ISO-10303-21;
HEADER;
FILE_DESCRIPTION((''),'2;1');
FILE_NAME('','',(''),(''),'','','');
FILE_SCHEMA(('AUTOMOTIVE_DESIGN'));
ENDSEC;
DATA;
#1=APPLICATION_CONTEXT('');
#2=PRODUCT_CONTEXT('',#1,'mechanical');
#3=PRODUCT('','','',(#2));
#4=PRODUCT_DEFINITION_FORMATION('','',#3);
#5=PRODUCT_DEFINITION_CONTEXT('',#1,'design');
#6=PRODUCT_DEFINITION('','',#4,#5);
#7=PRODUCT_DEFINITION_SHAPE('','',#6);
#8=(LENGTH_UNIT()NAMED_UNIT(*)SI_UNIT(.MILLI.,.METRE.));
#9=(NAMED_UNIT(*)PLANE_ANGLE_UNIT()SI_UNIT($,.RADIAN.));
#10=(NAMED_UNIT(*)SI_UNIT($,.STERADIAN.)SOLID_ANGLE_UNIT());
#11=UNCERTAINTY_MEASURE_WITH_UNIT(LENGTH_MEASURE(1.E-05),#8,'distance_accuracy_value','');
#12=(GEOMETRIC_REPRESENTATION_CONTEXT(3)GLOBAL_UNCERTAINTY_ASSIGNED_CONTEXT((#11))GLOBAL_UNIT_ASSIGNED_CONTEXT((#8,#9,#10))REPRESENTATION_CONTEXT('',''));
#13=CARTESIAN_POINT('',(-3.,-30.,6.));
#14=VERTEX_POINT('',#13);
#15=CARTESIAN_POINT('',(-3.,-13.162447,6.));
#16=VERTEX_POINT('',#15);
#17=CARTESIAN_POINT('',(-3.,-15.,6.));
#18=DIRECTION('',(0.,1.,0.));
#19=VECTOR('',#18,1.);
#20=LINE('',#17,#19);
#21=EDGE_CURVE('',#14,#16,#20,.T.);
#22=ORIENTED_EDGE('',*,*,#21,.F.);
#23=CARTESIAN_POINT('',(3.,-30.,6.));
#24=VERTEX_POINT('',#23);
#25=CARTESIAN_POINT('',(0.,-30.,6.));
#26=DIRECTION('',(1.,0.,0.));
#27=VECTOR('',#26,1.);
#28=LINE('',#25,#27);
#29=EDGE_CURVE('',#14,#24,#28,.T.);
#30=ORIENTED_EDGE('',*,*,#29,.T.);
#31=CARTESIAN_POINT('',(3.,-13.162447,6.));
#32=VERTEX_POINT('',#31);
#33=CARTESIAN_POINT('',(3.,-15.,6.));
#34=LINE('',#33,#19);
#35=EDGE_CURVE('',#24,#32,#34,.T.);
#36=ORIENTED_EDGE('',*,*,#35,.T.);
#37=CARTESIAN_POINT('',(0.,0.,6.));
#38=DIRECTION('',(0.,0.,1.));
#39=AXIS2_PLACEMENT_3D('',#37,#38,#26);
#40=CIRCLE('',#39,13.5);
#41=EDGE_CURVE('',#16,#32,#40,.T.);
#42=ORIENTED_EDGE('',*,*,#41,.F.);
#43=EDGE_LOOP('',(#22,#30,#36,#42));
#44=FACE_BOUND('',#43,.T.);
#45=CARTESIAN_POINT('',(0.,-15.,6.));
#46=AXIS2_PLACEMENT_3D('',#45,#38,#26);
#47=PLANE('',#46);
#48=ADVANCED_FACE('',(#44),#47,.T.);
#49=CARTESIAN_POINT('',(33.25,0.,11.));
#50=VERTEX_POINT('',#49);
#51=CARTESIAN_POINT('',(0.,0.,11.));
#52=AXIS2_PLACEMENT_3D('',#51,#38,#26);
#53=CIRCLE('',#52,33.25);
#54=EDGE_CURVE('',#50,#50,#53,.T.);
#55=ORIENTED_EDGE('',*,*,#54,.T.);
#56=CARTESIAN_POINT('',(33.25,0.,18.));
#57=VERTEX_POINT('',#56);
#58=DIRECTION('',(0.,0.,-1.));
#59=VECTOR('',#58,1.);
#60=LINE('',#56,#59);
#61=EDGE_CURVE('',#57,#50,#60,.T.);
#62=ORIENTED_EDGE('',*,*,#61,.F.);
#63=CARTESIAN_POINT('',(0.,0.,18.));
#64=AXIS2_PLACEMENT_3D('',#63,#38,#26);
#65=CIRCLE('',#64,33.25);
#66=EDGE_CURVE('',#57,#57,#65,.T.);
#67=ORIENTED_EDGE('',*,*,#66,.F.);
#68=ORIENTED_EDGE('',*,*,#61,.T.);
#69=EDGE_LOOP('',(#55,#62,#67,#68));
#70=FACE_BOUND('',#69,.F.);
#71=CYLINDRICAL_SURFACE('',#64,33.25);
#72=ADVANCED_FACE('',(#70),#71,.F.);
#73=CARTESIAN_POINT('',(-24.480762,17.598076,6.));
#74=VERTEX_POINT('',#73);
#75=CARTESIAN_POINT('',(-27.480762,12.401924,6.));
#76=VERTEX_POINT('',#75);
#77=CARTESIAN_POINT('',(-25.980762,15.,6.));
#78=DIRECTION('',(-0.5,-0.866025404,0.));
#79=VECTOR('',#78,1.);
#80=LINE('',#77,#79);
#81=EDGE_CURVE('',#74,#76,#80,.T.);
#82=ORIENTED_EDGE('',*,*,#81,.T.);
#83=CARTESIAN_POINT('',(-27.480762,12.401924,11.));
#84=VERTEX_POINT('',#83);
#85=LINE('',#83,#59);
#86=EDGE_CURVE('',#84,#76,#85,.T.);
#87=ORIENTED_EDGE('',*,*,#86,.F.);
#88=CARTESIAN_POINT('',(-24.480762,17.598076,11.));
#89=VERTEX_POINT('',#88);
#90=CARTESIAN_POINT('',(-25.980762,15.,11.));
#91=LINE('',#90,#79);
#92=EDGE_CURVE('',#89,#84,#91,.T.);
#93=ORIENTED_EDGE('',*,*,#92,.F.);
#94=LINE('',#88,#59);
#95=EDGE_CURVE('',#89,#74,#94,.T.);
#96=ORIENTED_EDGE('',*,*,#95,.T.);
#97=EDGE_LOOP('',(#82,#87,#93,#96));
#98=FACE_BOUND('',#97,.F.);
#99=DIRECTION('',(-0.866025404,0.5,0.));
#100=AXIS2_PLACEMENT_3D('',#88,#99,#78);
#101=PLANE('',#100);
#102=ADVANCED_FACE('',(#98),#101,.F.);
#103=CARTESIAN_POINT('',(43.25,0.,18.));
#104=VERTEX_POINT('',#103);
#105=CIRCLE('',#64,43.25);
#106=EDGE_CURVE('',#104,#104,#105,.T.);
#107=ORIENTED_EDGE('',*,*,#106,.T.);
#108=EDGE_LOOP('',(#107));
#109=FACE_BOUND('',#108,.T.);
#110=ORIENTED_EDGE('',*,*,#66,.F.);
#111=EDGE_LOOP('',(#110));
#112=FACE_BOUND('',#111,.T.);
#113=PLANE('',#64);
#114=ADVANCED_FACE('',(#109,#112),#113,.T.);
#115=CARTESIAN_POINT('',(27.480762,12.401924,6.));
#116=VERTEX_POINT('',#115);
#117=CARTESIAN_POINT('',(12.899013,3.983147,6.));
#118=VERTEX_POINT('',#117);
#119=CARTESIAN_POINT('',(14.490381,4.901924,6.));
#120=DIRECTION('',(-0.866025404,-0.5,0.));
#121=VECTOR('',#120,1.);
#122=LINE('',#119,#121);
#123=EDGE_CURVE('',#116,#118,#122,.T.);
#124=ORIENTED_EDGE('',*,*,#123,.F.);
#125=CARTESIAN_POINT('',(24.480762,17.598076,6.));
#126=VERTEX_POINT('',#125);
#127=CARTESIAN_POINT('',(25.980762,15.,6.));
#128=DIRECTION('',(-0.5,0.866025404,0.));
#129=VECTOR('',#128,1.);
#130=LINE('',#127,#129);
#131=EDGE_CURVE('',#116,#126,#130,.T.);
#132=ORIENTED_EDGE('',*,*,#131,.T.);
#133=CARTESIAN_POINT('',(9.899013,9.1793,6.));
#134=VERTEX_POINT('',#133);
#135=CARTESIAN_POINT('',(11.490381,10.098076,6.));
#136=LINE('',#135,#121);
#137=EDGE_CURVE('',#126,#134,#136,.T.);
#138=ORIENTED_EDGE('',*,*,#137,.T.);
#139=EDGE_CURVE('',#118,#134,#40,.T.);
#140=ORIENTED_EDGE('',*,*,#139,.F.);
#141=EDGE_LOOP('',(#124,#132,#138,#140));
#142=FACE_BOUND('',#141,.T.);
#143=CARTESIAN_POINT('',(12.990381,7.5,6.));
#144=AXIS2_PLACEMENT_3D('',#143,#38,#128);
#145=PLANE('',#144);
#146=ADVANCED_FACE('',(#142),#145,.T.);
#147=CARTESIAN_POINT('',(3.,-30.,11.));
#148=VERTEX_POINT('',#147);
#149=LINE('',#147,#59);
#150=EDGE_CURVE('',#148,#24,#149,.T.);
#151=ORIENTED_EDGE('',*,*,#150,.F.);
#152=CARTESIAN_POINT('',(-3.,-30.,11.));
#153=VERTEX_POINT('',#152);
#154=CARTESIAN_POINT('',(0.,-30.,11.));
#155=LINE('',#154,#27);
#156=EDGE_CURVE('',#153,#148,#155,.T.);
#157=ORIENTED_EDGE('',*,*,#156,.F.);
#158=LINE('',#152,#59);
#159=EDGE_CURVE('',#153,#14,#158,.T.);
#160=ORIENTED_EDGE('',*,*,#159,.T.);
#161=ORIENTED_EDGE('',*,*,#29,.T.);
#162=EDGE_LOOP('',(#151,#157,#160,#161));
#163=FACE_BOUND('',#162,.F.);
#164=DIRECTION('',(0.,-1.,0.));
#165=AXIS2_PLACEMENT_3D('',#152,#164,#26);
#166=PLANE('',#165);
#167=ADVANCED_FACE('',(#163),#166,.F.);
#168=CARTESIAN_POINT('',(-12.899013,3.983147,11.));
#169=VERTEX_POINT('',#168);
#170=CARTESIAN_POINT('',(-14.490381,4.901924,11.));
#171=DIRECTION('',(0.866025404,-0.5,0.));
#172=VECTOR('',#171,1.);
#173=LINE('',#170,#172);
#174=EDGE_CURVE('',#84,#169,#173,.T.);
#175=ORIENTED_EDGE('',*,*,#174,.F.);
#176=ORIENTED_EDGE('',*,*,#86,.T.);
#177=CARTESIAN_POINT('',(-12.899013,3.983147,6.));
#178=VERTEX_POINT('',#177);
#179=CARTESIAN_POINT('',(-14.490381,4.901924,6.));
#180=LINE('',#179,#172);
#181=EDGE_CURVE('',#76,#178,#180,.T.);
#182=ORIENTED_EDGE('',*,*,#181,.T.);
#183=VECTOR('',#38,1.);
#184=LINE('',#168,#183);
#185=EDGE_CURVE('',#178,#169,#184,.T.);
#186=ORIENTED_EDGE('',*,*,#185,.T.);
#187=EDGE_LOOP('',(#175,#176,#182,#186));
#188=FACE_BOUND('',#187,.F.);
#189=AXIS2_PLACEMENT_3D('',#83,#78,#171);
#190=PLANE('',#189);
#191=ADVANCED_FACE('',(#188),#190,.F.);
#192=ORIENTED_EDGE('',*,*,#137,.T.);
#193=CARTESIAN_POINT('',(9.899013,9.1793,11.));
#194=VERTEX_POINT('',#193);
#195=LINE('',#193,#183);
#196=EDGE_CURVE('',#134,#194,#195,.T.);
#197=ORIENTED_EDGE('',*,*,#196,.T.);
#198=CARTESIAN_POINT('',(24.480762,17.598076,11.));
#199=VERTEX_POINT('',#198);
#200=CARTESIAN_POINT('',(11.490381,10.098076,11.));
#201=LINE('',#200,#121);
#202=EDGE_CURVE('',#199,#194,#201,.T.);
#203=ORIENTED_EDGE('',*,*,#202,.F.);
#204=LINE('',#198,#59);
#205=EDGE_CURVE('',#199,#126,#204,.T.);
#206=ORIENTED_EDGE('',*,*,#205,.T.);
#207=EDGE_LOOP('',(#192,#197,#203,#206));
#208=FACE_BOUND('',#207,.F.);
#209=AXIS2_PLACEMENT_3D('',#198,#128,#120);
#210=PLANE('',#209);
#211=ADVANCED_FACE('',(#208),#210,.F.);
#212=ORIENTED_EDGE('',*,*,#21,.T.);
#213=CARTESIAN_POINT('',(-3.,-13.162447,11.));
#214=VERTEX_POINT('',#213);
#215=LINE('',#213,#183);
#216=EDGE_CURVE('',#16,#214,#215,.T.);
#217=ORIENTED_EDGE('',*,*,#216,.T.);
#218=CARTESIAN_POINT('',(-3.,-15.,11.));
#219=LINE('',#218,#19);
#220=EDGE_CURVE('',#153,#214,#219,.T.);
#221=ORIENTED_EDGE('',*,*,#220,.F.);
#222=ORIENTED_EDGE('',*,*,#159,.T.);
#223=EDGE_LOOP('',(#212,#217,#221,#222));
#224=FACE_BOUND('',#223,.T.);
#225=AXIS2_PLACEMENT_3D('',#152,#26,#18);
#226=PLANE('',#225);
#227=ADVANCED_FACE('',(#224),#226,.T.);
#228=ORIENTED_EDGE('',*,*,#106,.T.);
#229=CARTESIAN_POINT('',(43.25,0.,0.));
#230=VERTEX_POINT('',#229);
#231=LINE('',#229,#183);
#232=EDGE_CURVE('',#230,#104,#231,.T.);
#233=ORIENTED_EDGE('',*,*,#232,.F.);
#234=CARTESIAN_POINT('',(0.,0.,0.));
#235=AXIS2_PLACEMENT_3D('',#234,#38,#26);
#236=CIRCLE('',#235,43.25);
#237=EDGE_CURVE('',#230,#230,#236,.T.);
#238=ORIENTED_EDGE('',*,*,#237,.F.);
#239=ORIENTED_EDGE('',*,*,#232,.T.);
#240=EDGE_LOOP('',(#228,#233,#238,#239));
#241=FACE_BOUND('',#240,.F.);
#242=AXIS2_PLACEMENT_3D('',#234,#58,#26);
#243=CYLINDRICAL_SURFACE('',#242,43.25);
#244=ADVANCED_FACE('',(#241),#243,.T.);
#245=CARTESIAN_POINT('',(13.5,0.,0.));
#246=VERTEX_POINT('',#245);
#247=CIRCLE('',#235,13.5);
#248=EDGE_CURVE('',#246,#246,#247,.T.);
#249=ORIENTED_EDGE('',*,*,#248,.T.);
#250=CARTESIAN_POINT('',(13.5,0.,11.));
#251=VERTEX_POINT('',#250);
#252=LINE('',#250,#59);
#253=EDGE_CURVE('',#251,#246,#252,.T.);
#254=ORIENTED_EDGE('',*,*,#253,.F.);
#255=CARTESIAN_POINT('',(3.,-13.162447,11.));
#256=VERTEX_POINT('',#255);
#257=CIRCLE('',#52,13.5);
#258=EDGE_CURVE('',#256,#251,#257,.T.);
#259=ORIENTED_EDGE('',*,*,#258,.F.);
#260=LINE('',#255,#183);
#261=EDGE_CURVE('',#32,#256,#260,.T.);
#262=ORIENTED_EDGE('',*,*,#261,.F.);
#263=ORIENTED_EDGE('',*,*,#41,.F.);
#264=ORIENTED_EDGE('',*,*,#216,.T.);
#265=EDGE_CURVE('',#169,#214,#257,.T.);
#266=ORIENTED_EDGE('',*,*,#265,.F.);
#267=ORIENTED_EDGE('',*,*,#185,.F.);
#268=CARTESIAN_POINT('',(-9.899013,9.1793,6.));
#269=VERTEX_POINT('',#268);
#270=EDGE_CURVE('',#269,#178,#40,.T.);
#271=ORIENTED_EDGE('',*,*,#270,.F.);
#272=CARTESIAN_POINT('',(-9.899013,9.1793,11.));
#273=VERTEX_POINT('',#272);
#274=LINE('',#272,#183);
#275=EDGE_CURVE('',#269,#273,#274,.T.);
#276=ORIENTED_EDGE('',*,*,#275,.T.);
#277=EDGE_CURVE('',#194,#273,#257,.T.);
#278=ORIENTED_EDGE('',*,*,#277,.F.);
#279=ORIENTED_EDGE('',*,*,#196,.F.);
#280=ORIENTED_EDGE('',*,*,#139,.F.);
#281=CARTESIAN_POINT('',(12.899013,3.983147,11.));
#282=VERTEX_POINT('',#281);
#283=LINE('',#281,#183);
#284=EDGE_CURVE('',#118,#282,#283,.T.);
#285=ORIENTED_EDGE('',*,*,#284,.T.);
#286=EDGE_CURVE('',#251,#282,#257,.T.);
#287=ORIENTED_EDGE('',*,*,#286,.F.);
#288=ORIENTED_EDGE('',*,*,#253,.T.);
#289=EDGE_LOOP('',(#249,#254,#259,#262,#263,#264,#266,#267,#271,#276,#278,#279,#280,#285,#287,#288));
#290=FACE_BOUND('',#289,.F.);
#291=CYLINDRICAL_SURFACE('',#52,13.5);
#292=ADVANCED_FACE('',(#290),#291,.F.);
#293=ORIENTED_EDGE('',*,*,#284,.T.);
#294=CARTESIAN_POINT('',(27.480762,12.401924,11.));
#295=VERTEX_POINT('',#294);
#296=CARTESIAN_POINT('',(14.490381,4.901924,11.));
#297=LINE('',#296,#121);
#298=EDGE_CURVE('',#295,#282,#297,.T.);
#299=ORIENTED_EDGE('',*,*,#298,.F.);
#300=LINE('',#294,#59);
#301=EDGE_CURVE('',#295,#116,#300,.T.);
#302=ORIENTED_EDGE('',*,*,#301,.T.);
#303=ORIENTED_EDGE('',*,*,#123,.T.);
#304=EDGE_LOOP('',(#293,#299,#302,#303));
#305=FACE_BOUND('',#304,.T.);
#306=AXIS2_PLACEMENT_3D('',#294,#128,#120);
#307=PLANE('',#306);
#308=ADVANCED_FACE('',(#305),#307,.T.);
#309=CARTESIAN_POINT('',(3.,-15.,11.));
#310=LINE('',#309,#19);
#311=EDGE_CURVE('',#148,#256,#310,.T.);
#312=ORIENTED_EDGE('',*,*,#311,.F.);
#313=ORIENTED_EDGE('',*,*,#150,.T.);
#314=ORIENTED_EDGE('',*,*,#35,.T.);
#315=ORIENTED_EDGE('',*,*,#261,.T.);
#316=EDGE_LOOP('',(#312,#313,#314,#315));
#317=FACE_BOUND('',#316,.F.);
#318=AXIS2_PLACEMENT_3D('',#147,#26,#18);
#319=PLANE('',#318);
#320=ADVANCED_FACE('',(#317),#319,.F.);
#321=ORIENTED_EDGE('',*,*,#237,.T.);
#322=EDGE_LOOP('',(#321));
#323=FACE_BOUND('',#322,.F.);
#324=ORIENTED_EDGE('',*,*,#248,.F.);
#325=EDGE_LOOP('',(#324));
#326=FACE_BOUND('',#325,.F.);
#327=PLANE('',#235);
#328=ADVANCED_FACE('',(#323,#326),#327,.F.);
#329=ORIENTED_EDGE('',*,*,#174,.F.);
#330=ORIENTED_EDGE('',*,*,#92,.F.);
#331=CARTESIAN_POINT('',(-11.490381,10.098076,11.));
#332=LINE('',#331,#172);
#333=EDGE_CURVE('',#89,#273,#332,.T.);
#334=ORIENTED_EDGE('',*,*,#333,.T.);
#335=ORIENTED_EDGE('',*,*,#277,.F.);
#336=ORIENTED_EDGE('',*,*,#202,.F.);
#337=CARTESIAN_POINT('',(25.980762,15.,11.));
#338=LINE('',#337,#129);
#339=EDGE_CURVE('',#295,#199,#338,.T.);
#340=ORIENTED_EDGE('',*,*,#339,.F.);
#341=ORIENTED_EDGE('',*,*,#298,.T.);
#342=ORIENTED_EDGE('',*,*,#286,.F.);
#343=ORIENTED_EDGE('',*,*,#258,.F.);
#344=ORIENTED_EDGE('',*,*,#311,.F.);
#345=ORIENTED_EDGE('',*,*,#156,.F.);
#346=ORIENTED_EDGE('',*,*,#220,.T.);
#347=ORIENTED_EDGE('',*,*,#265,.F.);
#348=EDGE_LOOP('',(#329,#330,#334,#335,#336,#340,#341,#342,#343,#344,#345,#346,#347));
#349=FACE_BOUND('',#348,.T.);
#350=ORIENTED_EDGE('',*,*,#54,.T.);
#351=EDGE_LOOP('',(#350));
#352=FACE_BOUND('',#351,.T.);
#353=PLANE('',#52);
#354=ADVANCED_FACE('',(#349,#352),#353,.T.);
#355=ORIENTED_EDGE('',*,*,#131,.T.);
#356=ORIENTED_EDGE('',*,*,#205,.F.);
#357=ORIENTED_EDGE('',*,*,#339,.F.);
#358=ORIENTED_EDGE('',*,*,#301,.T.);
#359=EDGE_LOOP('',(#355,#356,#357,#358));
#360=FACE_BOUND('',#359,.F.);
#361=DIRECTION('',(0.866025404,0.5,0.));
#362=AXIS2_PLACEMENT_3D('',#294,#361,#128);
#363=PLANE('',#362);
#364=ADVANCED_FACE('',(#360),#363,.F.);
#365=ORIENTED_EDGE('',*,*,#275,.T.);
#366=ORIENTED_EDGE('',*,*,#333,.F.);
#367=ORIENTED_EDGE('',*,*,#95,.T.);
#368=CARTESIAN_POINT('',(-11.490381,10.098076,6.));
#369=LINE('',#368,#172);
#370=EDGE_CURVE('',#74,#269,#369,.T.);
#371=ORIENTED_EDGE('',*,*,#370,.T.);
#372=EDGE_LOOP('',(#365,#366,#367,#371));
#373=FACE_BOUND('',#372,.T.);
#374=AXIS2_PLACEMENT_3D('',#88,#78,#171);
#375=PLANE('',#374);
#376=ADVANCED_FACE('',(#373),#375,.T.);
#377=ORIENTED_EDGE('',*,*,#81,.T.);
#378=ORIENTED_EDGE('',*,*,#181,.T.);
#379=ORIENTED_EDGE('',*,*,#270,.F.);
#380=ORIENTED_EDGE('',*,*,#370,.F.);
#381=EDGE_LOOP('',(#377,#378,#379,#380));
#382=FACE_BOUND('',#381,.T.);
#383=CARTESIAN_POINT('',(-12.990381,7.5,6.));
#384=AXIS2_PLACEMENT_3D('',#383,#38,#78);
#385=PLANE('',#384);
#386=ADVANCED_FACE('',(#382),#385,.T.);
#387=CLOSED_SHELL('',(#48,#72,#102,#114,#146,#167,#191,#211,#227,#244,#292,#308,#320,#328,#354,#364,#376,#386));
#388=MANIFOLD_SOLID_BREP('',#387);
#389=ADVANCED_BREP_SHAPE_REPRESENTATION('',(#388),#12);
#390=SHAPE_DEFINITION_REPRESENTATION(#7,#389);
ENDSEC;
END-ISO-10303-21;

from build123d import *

# Parameters (mm, degrees)
SKETCH_R           = 43.25
PAD_DEPTH          = 18
SKETCH001_R        = 33.25
POCKET_DEPTH       = 7
SKETCH002_R        = 13.5
POCKET001_DEPTH    = 11.001
SKETCH003_W        = 6
SKETCH003_H        = 30
POCKET002_DEPTH    = 5
POLARPATTERN_COUNT = 3


with BuildPart() as part:
    # Sketch → Pad (new body)
    with BuildSketch(Plane.XY):
        Circle(SKETCH_R)
    extrude(amount=PAD_DEPTH)

    # Sketch001 (on Face3 of Pad) → Pocket (cut)
    with BuildSketch(Plane.XY.offset(18)):
        Circle(SKETCH001_R)
    extrude(amount=-POCKET_DEPTH, mode=Mode.SUBTRACT)

    # Sketch002 (on Face5 of Pocket) → Pocket001 (cut, through all)
    with BuildSketch(Plane.XY.offset(11)):
        Circle(SKETCH002_R)
    extrude(amount=-POCKET001_DEPTH, mode=Mode.SUBTRACT)

    # Sketch003 (on Face6 of Pocket001) → Pocket002 (cut)
    with BuildSketch(Plane.XY.offset(11)):
        with Locations((0, -15)):
            Rectangle(SKETCH003_W, SKETCH003_H)
    pocket002 = extrude(amount=-POCKET002_DEPTH, mode=Mode.SUBTRACT)

    # PolarPattern: Pocket002 ×3 about axis
    polarpattern_axis = Axis((0, 0, 11), (0, 0, 1))
    for i in range(1, POLARPATTERN_COUNT):
        add(pocket002.rotate(polarpattern_axis, i * 360 / POLARPATTERN_COUNT), mode=Mode.SUBTRACT)


solid = part.part
